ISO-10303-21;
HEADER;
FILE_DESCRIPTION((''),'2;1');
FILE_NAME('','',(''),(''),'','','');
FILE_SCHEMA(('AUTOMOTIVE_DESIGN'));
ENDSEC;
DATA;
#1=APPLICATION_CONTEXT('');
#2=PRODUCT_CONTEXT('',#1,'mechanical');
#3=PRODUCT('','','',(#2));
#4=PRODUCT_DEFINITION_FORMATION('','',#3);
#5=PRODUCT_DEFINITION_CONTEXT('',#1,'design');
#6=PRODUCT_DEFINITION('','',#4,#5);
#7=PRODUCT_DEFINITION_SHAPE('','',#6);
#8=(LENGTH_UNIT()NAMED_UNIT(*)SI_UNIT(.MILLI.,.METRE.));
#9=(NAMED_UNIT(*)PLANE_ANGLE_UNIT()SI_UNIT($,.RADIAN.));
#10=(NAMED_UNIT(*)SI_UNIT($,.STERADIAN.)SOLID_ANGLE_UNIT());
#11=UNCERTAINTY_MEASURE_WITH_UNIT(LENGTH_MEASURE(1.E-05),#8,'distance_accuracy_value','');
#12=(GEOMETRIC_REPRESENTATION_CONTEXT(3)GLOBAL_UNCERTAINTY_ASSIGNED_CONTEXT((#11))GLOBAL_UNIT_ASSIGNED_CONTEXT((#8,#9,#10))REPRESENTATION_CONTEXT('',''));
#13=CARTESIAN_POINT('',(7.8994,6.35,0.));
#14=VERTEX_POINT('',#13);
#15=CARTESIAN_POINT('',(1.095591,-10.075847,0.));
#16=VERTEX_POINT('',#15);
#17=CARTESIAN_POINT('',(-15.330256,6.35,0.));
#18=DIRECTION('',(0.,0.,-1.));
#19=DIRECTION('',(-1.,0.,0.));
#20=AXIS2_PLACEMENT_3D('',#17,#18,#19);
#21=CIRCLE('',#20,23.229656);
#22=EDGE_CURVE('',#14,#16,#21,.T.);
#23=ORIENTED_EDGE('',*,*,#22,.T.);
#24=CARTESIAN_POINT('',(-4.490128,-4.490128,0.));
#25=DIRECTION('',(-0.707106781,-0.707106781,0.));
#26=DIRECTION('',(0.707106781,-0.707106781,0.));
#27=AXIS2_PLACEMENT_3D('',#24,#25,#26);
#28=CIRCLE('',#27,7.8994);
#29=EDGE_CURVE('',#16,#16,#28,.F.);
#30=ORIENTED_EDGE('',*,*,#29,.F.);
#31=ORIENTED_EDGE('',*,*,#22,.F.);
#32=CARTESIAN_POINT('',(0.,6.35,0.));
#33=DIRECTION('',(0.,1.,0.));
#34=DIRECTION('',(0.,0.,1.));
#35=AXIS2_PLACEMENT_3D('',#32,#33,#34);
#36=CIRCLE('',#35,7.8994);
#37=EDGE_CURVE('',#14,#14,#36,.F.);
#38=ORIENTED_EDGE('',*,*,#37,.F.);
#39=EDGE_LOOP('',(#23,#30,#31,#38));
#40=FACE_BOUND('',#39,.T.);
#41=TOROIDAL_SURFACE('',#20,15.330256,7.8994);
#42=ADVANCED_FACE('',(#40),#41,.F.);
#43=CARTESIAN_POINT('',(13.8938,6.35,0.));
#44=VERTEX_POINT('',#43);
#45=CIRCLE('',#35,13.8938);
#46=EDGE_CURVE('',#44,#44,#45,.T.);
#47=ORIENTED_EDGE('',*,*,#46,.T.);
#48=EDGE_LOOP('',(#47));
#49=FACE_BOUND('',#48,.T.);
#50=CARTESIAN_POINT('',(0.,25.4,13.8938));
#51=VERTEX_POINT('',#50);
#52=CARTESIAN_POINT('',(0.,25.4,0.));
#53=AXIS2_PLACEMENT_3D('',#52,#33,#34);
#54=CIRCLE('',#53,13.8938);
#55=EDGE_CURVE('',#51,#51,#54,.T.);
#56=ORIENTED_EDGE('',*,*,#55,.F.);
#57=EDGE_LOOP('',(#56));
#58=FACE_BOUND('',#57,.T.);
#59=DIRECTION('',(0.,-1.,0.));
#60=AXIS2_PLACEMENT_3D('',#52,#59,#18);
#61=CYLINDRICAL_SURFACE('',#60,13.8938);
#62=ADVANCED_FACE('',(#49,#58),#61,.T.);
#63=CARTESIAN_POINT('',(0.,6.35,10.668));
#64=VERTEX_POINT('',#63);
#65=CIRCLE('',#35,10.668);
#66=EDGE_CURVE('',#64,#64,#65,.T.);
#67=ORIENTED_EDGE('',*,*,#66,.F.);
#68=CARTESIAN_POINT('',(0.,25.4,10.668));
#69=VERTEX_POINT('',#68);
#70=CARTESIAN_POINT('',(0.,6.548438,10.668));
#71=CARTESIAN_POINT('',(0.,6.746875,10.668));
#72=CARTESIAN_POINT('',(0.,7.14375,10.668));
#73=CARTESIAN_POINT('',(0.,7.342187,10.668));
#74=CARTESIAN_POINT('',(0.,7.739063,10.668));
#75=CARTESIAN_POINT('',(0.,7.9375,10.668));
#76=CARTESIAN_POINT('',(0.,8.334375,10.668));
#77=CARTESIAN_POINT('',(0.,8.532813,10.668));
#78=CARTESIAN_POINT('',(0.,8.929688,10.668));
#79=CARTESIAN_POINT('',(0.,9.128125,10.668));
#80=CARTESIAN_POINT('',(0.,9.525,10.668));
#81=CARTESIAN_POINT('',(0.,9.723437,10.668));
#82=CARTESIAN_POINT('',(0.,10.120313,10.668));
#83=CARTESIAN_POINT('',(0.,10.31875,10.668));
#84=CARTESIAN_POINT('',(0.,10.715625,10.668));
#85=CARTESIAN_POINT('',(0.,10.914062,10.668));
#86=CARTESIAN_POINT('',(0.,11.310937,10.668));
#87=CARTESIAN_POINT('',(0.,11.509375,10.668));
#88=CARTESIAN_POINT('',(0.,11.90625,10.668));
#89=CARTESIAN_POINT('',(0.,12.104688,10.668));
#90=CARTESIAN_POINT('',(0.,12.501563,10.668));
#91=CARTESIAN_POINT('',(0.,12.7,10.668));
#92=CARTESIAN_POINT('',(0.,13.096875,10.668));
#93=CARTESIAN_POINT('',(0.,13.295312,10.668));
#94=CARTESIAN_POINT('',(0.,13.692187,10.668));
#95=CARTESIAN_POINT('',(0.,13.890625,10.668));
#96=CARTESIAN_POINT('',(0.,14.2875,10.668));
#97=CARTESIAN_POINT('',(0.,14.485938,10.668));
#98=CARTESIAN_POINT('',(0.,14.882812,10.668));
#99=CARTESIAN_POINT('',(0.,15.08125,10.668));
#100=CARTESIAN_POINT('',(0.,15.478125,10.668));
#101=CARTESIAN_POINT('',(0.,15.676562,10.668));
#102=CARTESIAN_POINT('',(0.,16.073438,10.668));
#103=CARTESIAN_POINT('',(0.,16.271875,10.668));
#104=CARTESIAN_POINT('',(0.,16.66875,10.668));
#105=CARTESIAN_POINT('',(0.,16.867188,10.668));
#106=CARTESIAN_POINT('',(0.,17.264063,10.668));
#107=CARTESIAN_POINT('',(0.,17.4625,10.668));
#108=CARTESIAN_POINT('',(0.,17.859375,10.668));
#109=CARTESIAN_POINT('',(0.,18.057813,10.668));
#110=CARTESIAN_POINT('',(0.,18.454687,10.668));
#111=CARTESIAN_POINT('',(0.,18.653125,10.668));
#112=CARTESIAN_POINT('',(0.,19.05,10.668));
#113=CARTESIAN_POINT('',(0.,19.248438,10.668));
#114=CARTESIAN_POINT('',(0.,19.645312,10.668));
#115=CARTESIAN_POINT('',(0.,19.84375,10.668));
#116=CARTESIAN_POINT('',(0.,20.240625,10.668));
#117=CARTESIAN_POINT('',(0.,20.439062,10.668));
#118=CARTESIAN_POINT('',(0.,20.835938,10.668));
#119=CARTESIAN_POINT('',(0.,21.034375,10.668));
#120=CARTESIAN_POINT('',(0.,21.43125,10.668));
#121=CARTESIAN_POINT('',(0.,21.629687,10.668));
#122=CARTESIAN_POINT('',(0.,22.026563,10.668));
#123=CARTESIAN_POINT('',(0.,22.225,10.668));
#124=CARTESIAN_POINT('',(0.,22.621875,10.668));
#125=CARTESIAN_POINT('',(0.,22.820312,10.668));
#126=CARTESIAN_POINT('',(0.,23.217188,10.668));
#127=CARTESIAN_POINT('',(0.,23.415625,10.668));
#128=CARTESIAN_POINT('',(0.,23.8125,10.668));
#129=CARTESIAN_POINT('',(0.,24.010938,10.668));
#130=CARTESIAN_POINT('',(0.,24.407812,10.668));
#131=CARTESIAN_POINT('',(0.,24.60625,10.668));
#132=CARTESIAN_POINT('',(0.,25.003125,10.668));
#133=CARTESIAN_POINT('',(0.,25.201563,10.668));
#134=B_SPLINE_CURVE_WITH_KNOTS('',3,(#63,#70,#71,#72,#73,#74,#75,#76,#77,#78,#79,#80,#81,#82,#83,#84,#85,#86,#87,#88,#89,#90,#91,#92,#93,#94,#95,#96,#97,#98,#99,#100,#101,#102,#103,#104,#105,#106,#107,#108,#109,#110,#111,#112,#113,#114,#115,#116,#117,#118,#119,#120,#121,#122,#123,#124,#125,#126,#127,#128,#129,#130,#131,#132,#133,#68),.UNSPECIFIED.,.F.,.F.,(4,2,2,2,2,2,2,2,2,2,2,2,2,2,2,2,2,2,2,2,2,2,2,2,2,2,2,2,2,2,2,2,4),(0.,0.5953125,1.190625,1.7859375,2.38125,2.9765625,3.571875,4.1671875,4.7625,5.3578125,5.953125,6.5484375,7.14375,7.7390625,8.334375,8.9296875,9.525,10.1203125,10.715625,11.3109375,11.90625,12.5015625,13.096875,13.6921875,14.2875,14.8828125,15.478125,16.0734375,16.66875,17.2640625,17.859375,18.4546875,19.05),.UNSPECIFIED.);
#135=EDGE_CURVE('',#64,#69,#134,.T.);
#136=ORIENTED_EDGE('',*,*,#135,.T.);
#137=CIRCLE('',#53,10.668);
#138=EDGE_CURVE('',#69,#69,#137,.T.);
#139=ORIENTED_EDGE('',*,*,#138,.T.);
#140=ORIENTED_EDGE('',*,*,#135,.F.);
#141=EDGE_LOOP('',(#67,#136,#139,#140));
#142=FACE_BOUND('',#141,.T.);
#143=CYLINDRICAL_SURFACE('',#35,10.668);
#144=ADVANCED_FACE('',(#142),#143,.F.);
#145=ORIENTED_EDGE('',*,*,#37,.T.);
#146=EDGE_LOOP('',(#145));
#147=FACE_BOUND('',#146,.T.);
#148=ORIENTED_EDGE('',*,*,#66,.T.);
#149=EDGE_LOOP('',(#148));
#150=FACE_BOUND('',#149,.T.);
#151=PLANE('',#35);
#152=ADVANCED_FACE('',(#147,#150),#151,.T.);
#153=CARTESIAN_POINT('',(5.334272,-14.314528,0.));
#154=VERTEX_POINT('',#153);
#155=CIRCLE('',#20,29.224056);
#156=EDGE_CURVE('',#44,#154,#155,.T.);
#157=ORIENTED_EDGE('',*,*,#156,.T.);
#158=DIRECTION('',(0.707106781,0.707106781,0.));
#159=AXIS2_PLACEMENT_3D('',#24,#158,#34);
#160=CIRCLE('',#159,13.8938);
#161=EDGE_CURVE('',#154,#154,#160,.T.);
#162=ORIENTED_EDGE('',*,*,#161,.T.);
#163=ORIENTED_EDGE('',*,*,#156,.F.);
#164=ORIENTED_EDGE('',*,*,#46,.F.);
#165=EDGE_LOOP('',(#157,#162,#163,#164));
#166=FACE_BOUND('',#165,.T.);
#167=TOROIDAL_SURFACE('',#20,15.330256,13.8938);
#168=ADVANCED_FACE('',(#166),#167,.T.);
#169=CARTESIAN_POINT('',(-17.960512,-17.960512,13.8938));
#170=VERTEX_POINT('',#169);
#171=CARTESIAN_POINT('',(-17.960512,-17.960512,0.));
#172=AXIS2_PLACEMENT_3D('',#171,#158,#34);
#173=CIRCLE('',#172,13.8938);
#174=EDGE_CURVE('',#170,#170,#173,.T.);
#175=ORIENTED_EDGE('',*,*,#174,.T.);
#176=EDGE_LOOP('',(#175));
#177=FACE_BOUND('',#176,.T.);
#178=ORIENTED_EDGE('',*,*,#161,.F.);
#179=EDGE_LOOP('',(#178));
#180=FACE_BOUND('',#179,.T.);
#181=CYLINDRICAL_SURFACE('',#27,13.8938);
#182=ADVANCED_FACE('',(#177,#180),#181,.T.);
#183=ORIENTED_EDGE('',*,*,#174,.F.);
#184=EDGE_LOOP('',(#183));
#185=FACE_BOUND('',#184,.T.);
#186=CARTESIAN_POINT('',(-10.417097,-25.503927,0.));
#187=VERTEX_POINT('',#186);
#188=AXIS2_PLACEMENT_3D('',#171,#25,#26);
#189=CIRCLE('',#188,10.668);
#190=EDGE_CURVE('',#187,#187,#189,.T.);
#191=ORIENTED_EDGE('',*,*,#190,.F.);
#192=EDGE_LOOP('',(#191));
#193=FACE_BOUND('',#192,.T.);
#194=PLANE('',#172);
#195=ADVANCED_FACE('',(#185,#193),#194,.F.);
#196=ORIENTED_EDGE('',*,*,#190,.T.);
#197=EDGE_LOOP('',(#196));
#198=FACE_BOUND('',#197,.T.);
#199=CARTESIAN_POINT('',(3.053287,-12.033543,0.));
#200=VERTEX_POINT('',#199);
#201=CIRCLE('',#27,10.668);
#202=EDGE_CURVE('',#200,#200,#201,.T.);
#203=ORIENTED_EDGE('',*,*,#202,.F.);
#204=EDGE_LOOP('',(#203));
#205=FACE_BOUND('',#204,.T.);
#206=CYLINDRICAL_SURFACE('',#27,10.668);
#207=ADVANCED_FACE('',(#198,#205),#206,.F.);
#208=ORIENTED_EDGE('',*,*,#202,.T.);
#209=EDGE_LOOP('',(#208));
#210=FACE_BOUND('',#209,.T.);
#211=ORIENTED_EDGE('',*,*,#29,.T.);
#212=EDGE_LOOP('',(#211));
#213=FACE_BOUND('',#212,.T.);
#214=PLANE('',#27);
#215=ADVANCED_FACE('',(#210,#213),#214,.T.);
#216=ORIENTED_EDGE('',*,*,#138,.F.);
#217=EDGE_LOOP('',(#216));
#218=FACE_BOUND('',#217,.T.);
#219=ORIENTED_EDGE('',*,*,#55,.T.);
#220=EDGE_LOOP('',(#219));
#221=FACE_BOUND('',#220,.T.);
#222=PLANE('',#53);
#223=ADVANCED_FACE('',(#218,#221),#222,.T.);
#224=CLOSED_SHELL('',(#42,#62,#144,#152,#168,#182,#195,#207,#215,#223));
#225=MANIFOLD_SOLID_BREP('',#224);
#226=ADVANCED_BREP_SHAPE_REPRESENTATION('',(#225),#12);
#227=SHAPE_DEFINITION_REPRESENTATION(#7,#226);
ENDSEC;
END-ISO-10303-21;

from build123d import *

# Parameters (mm, degrees)
SKETCH2_R          = 13.8938
SKETCH2_R_2        = 7.8994
SKETCH5_R          = 10.668
CUT_EXTRUDE1_DEPTH = 19.05
SKETCH6_R          = 10.668
CUT_EXTRUDE2_DEPTH = 19.05


with BuildPart() as part:
    # Sweep1: sweep along a path in Sketch3
    with BuildLine(Plane.XY) as sweep1_path:
        Line((-17.960512242, -17.960512242), (-4.490128061, -4.490128061))
        ThreePointArc((-4.490128061, -4.490128061), (-1.166946263, 0.483364969), (0, 6.35))
        Line((0, 6.35), (0, 25.4))
    # Sketch2 → Sweep1 (sweep)
    with BuildSketch(Plane(origin=(0, 25.4, 0), x_dir=(1, 0, 0), z_dir=(0, 1, 0))):
        Circle(SKETCH2_R)
        Circle(SKETCH2_R_2, mode=Mode.SUBTRACT)
    sweep(path=sweep1_path.line)

    # Sketch5 → Cut-Extrude1 (cut)
    with BuildSketch(Plane(origin=(0, 25.4, 0), x_dir=(1, 0, 0), z_dir=(0, 1, 0))):
        with Locations(Location((0, 0, 0), (0, 0, 270))):
            Circle(SKETCH5_R)
    extrude(amount=-CUT_EXTRUDE1_DEPTH, mode=Mode.SUBTRACT)

    # Sketch6 → Cut-Extrude2 (cut)
    with BuildSketch(Plane(origin=(-17.960512242, -17.960512242, 0), x_dir=(0, 0, 1), z_dir=(-0.7071067811865408, -0.7071067811865543, 0))):
        with Locations(Location((0, 0, 0), (0, 0, 270))):
            Circle(SKETCH6_R)
    extrude(amount=-CUT_EXTRUDE2_DEPTH, mode=Mode.SUBTRACT)


solid = part.part
